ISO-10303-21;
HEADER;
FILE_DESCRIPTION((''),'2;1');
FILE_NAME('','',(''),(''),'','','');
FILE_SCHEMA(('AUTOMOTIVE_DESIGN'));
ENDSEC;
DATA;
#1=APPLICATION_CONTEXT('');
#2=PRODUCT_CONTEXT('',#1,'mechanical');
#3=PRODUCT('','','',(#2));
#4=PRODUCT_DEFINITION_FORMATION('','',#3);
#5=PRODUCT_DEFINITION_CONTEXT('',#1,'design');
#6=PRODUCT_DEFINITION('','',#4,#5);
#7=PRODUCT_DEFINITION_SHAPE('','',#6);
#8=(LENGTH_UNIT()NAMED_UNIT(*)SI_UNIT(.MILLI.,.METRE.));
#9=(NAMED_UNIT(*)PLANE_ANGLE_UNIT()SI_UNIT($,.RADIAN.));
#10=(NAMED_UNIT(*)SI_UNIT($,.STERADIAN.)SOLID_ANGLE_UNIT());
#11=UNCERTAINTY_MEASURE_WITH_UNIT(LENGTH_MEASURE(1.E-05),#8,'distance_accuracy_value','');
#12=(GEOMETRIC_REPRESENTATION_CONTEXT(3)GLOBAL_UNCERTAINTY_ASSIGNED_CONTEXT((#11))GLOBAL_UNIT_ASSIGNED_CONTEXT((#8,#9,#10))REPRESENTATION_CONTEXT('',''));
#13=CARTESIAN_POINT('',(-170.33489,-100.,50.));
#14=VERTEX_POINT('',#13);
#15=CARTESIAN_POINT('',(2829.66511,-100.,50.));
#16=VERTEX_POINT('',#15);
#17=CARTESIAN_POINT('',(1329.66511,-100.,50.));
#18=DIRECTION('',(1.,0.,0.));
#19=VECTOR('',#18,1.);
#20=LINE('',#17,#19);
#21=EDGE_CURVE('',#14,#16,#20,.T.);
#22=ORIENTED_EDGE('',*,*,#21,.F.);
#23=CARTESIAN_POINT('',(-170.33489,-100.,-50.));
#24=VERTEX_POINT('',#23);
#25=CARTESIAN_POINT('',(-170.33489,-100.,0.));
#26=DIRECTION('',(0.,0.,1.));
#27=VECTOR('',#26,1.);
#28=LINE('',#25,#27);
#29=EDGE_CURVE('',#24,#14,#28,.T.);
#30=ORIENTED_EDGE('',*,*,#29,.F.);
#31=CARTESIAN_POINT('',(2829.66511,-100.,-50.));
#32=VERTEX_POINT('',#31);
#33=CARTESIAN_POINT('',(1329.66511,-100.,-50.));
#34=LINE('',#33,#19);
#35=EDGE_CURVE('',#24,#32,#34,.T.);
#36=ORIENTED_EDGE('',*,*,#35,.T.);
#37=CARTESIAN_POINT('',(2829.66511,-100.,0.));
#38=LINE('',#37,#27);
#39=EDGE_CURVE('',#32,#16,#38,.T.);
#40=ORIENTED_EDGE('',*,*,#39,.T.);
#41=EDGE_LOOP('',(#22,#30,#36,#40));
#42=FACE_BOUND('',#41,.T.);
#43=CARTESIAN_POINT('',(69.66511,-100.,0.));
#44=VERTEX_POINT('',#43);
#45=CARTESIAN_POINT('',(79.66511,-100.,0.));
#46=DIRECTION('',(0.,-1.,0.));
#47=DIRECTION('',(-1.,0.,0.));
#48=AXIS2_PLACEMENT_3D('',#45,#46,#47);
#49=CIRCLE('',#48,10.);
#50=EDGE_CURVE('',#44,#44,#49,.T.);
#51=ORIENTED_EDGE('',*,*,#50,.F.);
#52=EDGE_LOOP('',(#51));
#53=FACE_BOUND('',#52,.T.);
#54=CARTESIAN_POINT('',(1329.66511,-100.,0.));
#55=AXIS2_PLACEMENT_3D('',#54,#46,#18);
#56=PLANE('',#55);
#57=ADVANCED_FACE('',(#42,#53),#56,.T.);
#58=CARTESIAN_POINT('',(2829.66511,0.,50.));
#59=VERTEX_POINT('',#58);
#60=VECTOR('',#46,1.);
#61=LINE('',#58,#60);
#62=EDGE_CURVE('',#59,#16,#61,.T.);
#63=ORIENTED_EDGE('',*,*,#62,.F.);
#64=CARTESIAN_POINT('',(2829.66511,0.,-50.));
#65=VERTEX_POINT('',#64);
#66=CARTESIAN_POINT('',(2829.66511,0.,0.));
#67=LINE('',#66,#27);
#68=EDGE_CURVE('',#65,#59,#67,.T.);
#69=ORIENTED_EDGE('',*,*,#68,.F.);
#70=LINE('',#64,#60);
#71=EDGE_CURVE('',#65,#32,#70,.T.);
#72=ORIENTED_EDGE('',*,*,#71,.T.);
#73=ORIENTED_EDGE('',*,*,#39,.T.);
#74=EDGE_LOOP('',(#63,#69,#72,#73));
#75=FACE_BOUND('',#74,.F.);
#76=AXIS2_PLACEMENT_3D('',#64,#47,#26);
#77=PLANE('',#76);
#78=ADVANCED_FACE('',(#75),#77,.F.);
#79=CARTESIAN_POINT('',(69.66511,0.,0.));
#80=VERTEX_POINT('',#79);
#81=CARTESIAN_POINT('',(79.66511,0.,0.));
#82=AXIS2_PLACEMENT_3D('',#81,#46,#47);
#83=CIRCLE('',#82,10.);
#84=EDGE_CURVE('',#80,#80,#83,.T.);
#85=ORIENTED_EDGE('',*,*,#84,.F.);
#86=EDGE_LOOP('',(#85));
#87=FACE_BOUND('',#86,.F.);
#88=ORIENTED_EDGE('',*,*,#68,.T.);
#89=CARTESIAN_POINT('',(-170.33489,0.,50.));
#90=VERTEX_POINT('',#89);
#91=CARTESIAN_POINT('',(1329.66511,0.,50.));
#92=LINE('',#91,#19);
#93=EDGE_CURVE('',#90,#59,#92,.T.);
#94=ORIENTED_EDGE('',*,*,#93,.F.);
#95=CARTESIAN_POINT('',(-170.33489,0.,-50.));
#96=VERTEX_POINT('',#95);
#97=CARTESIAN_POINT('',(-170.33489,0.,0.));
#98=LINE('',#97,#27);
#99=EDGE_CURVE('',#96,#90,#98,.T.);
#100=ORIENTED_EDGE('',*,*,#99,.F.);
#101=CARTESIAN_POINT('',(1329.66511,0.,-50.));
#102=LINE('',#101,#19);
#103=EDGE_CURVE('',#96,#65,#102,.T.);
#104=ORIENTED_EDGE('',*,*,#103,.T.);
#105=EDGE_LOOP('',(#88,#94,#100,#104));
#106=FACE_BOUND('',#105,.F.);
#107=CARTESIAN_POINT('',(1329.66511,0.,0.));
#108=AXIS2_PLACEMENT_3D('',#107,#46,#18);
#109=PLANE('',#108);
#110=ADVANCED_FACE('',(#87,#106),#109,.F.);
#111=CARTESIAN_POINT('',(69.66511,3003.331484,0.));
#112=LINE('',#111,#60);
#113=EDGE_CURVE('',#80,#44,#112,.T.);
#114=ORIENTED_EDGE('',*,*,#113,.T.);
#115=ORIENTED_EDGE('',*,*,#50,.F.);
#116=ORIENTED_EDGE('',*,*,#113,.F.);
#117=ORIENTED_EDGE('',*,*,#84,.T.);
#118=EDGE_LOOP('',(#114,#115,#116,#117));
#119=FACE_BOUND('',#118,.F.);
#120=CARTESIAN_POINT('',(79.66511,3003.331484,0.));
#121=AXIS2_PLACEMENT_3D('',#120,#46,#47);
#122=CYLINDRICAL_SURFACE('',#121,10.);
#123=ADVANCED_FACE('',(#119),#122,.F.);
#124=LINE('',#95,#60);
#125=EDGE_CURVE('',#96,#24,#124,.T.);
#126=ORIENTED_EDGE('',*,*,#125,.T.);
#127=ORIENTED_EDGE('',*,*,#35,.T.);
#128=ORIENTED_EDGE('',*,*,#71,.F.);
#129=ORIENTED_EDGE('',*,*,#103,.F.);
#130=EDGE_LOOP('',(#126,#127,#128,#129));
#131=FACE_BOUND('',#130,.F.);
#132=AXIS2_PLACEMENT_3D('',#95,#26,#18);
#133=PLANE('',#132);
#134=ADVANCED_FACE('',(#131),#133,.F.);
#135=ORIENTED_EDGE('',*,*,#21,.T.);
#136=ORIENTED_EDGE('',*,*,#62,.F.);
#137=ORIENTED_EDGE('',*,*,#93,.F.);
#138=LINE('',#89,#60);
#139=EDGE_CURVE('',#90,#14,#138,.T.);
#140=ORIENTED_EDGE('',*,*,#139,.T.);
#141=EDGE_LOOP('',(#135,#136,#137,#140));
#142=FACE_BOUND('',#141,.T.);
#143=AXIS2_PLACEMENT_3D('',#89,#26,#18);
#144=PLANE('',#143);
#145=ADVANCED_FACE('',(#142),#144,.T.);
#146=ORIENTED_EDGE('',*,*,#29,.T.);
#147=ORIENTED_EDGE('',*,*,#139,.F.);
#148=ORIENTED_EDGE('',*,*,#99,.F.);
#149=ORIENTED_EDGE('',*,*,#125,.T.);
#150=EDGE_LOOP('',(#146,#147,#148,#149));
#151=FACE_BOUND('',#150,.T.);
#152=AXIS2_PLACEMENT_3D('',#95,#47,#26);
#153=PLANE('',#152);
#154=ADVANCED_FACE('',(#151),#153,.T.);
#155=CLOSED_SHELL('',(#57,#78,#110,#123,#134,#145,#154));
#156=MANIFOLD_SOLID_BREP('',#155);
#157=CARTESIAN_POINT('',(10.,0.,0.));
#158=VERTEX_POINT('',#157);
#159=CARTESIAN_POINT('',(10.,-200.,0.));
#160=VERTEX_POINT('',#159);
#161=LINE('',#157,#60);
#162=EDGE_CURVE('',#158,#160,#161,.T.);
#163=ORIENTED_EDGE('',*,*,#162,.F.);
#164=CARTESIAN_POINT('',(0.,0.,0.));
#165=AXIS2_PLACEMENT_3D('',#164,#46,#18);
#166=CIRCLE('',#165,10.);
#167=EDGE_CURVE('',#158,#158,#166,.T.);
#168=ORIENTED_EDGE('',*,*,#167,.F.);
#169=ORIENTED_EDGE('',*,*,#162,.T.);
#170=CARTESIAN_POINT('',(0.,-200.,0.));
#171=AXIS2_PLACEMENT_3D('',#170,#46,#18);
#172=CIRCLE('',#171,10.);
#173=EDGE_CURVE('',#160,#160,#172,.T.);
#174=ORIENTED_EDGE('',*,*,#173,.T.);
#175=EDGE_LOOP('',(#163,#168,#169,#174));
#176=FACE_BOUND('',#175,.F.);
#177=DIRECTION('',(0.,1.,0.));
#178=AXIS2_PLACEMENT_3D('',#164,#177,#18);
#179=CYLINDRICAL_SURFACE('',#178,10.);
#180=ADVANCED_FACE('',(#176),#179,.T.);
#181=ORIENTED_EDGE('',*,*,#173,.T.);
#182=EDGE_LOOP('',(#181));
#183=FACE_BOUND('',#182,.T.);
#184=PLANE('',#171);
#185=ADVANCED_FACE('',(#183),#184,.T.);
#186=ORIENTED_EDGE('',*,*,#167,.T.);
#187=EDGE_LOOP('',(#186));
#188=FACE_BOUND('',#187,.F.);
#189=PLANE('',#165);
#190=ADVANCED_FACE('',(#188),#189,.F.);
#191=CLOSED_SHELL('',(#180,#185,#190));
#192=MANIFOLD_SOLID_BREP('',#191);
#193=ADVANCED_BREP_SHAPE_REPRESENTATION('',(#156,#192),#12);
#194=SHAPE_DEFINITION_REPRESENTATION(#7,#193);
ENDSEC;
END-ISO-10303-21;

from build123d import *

# Parameters (mm, degrees)
F0_W     = 3000
F0_H     = 100
F1_DEPTH = 100
F2_D     = 20
F3_R     = 10
F4_DEPTH = 200


with BuildPart() as f1:
    # F0 (on Front) → F1 (new body)
    with BuildSketch(Plane.XZ):
        with Locations((1329.66511, 0)):
            Rectangle(F0_W, F0_H)
    extrude(amount=F1_DEPTH)

    # F2 (through all)
    with Locations(Plane(origin=(0, 0, 0), x_dir=(1, 0, 0), z_dir=(0, 1, 0))):
        with Locations((79.66511, 0)):
            Hole(F2_D / 2)


with BuildPart() as f4:
    # F3 (on Front) → F4 (new body)
    with BuildSketch(Plane.XZ):
        Circle(F3_R)
    extrude(amount=F4_DEPTH)


solid = Compound([f1.part, f4.part])
